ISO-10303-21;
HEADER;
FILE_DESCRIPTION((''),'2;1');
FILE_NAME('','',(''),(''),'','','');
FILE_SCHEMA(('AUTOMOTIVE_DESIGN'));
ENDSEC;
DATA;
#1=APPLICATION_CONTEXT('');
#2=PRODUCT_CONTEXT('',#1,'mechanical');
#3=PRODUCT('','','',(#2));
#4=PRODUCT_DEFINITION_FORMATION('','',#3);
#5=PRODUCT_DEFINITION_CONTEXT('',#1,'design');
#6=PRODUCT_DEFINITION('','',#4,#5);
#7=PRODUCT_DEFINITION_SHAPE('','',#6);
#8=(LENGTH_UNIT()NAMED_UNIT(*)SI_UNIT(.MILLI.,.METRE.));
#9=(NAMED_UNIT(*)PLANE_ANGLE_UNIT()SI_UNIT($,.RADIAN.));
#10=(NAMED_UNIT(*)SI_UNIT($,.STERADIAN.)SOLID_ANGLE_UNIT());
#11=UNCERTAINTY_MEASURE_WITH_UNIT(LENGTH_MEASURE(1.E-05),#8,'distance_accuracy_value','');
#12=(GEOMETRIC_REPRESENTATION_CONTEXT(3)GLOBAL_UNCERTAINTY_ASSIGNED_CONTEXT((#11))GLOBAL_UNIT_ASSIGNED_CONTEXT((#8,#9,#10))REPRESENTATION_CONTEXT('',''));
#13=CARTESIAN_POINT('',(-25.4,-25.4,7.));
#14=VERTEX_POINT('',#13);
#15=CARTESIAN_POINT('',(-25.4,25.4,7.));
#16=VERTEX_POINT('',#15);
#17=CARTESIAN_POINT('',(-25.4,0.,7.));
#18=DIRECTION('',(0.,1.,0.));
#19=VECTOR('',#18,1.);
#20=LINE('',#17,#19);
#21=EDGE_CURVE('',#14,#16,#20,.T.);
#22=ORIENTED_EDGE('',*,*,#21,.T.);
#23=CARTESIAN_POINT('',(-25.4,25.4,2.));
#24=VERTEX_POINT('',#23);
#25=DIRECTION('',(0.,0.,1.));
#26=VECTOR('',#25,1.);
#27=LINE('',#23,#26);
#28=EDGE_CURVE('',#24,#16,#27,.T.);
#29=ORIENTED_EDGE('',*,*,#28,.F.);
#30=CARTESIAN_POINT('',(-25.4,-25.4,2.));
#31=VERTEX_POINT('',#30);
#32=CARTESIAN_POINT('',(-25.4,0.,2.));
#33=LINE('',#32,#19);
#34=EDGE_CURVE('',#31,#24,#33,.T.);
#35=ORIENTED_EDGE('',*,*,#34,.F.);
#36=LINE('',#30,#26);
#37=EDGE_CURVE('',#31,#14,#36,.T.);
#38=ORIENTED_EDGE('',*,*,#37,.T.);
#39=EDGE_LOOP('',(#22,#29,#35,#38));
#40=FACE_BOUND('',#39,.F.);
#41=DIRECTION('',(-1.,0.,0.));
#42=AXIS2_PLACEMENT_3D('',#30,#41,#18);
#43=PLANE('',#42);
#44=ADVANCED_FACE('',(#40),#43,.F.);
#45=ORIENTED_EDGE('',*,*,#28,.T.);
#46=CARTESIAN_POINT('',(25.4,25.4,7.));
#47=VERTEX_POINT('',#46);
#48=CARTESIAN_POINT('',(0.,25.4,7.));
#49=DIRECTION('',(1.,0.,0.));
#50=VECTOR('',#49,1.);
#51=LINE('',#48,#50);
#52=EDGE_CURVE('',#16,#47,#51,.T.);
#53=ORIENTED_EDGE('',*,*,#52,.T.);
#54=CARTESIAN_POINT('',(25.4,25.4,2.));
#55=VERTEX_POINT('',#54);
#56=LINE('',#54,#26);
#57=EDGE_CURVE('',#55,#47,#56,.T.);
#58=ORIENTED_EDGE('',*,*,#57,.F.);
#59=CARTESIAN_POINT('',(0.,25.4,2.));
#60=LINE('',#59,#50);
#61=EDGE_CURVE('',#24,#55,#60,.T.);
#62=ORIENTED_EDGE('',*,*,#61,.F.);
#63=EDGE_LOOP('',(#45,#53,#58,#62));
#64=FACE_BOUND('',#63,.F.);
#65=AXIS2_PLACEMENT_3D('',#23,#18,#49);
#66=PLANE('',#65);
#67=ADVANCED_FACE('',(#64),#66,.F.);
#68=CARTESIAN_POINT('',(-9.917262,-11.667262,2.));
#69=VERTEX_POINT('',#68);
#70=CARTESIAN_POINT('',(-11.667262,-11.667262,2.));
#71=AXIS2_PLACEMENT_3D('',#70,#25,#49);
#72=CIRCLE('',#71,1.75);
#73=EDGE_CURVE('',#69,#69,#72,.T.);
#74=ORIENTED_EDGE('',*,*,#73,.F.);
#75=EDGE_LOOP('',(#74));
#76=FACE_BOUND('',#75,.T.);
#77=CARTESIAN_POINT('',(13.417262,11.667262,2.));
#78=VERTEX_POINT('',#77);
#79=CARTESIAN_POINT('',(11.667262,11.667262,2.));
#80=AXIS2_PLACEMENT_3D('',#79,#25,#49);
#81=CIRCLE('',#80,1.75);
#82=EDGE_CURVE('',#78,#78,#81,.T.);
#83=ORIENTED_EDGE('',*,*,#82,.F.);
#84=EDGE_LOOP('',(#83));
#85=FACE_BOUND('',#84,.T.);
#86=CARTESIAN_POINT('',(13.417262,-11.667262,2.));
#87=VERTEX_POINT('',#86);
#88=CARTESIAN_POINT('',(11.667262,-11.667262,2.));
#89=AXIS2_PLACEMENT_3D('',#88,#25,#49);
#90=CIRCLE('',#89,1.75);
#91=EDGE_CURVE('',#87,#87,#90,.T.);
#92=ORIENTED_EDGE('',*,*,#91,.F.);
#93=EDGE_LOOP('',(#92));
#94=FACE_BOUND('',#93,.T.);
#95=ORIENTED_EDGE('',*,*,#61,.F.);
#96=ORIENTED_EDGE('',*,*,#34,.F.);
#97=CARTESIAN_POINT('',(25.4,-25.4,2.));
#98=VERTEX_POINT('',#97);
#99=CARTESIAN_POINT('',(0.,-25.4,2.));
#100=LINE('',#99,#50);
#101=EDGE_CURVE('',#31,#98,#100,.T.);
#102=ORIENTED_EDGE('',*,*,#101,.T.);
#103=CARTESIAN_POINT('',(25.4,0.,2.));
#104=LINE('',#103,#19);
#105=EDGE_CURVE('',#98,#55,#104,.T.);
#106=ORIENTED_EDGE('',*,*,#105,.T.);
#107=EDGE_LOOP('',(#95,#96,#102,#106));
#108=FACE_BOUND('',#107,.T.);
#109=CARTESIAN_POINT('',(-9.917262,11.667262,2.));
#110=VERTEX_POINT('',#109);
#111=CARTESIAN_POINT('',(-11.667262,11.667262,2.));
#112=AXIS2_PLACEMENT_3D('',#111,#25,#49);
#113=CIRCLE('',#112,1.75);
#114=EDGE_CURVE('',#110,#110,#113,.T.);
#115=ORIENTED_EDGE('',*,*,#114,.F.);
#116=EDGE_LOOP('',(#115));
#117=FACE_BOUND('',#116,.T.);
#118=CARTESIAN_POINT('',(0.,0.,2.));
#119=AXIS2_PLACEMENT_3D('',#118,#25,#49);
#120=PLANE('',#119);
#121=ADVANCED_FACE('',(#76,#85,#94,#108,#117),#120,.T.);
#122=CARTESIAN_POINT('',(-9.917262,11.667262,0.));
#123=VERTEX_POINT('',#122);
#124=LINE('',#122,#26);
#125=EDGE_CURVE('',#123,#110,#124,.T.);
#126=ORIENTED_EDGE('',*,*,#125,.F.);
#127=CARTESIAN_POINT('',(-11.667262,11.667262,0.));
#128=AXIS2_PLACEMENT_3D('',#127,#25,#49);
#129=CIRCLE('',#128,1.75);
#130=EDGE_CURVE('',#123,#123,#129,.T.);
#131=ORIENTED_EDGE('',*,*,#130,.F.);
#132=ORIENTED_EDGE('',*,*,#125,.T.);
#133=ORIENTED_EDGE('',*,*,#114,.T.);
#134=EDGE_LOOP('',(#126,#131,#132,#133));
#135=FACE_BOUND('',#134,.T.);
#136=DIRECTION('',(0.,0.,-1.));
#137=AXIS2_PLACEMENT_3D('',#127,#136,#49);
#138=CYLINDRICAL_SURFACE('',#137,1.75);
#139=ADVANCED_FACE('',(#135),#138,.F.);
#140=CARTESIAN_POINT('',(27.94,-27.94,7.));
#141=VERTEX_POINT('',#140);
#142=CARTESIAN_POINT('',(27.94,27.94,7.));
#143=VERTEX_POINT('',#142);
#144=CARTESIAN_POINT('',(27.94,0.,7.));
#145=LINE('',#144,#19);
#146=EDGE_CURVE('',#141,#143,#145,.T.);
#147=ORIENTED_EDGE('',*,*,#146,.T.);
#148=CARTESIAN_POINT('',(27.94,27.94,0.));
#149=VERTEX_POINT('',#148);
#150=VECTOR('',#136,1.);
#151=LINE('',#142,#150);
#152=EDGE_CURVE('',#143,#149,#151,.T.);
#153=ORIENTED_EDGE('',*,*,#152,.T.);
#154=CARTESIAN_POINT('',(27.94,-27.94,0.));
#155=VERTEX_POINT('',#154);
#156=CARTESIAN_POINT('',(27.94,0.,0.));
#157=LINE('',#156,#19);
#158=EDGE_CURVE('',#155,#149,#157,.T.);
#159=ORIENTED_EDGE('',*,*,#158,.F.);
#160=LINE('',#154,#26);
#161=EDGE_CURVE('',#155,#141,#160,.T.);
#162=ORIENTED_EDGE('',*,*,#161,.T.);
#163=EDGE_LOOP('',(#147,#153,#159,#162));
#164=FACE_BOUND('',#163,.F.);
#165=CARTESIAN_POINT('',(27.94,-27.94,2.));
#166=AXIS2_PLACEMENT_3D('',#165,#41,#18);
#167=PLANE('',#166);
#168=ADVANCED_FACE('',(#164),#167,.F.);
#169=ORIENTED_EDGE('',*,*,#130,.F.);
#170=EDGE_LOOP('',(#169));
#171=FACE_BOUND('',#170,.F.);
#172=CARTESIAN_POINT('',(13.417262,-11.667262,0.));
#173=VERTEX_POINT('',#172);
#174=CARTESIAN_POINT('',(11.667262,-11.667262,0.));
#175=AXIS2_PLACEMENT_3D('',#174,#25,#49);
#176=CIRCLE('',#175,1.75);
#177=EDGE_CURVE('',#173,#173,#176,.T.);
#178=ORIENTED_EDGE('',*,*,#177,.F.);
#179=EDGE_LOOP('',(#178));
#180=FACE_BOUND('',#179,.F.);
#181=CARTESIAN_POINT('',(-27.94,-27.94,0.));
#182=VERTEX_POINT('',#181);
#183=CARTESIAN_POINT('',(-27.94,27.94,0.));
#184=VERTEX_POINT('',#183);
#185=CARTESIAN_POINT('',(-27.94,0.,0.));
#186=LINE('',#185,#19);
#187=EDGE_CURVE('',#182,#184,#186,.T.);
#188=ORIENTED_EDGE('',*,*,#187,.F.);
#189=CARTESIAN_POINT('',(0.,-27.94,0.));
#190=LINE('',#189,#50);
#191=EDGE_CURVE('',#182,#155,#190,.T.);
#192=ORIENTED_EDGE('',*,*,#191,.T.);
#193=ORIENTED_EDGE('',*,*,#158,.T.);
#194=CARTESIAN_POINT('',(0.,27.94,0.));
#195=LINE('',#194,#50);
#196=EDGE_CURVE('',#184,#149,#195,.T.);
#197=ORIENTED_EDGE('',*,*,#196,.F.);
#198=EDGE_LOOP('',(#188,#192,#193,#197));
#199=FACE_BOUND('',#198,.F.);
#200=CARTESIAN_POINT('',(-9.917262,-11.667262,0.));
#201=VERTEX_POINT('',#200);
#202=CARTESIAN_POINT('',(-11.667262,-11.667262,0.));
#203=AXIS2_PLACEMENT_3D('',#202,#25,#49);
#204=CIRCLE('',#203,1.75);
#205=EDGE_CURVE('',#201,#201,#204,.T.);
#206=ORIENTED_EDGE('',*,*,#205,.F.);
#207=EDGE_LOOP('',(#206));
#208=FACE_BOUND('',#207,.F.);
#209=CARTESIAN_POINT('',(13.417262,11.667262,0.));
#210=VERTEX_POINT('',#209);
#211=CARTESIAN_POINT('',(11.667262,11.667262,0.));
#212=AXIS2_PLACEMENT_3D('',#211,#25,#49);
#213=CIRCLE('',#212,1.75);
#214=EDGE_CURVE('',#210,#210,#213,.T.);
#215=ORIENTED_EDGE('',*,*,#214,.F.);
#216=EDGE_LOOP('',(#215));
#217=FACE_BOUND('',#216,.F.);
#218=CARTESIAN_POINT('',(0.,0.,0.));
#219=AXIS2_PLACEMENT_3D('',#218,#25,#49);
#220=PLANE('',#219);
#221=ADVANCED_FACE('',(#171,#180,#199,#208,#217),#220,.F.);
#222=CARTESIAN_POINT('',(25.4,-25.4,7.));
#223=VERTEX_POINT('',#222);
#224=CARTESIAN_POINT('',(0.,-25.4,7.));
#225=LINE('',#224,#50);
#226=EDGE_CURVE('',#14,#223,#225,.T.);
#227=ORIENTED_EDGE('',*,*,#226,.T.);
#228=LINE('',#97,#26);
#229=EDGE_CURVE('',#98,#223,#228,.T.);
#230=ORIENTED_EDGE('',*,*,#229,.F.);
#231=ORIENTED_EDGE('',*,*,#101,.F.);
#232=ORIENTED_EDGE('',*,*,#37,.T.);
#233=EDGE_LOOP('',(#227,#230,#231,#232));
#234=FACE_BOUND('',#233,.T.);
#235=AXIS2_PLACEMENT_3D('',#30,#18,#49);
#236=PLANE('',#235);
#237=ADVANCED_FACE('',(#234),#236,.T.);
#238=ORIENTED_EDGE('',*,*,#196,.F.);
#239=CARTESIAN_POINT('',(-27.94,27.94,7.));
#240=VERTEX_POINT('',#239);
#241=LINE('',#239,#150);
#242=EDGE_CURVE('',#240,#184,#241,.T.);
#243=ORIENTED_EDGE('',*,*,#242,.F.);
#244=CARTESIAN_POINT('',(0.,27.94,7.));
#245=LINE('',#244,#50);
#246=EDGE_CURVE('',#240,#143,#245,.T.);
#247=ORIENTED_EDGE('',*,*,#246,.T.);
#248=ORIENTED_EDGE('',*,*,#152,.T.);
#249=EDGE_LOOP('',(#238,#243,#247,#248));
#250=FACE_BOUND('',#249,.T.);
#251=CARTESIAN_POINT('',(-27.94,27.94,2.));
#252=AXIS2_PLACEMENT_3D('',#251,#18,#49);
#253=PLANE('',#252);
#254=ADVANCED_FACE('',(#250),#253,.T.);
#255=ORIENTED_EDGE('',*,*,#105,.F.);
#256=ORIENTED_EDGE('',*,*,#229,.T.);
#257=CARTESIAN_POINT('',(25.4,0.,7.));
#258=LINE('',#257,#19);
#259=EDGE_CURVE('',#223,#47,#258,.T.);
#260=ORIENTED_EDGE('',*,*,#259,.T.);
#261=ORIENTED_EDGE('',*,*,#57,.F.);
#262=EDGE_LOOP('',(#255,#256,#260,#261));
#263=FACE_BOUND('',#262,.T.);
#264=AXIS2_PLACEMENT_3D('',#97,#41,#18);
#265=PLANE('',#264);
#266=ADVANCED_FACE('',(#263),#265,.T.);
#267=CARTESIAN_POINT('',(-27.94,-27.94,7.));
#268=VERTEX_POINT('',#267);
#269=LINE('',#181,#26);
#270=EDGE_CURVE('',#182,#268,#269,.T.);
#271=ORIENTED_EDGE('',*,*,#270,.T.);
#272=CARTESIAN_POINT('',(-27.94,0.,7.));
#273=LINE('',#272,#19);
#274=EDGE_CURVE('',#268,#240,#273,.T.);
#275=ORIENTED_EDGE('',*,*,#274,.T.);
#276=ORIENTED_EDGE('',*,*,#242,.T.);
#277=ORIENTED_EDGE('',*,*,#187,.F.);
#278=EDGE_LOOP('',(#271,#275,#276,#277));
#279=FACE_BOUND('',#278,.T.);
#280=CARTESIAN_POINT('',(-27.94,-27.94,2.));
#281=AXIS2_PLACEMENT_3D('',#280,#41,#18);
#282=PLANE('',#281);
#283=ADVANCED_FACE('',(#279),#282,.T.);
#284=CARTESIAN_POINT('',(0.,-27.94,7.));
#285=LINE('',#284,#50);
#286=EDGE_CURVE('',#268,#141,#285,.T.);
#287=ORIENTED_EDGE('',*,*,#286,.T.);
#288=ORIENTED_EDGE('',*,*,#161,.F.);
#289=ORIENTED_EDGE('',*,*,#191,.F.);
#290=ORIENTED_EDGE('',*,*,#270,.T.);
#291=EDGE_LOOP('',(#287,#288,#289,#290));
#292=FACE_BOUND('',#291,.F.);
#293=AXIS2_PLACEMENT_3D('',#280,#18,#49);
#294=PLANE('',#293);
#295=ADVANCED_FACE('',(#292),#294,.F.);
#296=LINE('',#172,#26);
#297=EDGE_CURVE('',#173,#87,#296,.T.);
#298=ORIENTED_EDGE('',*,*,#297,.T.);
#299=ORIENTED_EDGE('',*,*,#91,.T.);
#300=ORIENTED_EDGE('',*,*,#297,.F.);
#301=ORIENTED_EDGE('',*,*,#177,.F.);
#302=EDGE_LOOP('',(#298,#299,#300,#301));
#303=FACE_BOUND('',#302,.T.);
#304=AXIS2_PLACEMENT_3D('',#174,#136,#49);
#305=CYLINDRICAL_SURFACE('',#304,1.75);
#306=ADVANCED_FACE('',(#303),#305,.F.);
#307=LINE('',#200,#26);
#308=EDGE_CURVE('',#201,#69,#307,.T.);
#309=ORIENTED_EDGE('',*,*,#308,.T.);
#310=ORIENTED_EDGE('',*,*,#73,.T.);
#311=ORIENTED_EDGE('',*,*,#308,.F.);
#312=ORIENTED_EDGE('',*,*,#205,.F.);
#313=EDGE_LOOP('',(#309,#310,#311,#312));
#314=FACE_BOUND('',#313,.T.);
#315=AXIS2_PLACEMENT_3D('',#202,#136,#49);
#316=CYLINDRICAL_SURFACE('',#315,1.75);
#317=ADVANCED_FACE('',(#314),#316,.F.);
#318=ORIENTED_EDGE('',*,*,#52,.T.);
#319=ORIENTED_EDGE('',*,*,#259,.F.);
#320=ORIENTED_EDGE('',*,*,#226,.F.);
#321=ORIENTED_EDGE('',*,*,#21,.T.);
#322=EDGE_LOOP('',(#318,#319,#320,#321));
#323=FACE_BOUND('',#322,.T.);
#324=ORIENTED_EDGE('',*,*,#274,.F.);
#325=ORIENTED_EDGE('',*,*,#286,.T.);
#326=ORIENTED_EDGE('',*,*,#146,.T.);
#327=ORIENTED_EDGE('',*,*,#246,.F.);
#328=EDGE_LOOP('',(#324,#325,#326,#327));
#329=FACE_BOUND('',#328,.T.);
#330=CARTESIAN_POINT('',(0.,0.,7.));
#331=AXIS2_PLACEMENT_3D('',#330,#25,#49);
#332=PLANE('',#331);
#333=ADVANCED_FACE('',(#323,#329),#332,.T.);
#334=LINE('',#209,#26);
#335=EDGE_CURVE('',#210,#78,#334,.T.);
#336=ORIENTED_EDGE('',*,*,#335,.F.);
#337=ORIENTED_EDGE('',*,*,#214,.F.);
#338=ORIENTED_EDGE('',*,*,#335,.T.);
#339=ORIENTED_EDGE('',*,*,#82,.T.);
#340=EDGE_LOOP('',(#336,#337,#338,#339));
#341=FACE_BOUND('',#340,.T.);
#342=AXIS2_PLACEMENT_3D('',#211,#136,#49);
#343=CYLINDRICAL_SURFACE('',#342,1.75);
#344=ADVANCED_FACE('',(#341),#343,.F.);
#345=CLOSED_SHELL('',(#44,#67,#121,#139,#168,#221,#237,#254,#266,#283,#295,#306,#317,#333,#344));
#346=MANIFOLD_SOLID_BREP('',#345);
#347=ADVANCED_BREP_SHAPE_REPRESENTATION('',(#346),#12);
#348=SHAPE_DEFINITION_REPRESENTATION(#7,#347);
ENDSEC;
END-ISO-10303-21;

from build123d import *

# Parameters (mm, degrees)
F0_W     = 55.88
F0_H     = 55.88
F0_R     = 1.75
F1_DEPTH = 2
F2_W     = 55.88
F2_H     = 55.88
F2_W_2   = 50.8
F2_H_2   = 50.8
F3_DEPTH = 5


with BuildPart() as f1:
    # F0 (on Top) → F1 (new body)
    with BuildSketch(Plane.XY):
        Rectangle(F0_W, F0_H)
        with Locations((-11.667262, -11.667262)):
            Circle(F0_R, mode=Mode.SUBTRACT)
        with Locations((11.667262, -11.667262)):
            Circle(F0_R, mode=Mode.SUBTRACT)
        with Locations((-11.667262, 11.667262)):
            Circle(F0_R, mode=Mode.SUBTRACT)
        with Locations((11.667262, 11.667262)):
            Circle(F0_R, mode=Mode.SUBTRACT)
    extrude(amount=F1_DEPTH)

    # F2 (on face) → F3 (join)
    with BuildSketch(Plane.XY.offset(2)):
        Rectangle(F2_W, F2_H)
        Rectangle(F2_W_2, F2_H_2, mode=Mode.SUBTRACT)
    extrude(amount=F3_DEPTH)


solid = f1.part
